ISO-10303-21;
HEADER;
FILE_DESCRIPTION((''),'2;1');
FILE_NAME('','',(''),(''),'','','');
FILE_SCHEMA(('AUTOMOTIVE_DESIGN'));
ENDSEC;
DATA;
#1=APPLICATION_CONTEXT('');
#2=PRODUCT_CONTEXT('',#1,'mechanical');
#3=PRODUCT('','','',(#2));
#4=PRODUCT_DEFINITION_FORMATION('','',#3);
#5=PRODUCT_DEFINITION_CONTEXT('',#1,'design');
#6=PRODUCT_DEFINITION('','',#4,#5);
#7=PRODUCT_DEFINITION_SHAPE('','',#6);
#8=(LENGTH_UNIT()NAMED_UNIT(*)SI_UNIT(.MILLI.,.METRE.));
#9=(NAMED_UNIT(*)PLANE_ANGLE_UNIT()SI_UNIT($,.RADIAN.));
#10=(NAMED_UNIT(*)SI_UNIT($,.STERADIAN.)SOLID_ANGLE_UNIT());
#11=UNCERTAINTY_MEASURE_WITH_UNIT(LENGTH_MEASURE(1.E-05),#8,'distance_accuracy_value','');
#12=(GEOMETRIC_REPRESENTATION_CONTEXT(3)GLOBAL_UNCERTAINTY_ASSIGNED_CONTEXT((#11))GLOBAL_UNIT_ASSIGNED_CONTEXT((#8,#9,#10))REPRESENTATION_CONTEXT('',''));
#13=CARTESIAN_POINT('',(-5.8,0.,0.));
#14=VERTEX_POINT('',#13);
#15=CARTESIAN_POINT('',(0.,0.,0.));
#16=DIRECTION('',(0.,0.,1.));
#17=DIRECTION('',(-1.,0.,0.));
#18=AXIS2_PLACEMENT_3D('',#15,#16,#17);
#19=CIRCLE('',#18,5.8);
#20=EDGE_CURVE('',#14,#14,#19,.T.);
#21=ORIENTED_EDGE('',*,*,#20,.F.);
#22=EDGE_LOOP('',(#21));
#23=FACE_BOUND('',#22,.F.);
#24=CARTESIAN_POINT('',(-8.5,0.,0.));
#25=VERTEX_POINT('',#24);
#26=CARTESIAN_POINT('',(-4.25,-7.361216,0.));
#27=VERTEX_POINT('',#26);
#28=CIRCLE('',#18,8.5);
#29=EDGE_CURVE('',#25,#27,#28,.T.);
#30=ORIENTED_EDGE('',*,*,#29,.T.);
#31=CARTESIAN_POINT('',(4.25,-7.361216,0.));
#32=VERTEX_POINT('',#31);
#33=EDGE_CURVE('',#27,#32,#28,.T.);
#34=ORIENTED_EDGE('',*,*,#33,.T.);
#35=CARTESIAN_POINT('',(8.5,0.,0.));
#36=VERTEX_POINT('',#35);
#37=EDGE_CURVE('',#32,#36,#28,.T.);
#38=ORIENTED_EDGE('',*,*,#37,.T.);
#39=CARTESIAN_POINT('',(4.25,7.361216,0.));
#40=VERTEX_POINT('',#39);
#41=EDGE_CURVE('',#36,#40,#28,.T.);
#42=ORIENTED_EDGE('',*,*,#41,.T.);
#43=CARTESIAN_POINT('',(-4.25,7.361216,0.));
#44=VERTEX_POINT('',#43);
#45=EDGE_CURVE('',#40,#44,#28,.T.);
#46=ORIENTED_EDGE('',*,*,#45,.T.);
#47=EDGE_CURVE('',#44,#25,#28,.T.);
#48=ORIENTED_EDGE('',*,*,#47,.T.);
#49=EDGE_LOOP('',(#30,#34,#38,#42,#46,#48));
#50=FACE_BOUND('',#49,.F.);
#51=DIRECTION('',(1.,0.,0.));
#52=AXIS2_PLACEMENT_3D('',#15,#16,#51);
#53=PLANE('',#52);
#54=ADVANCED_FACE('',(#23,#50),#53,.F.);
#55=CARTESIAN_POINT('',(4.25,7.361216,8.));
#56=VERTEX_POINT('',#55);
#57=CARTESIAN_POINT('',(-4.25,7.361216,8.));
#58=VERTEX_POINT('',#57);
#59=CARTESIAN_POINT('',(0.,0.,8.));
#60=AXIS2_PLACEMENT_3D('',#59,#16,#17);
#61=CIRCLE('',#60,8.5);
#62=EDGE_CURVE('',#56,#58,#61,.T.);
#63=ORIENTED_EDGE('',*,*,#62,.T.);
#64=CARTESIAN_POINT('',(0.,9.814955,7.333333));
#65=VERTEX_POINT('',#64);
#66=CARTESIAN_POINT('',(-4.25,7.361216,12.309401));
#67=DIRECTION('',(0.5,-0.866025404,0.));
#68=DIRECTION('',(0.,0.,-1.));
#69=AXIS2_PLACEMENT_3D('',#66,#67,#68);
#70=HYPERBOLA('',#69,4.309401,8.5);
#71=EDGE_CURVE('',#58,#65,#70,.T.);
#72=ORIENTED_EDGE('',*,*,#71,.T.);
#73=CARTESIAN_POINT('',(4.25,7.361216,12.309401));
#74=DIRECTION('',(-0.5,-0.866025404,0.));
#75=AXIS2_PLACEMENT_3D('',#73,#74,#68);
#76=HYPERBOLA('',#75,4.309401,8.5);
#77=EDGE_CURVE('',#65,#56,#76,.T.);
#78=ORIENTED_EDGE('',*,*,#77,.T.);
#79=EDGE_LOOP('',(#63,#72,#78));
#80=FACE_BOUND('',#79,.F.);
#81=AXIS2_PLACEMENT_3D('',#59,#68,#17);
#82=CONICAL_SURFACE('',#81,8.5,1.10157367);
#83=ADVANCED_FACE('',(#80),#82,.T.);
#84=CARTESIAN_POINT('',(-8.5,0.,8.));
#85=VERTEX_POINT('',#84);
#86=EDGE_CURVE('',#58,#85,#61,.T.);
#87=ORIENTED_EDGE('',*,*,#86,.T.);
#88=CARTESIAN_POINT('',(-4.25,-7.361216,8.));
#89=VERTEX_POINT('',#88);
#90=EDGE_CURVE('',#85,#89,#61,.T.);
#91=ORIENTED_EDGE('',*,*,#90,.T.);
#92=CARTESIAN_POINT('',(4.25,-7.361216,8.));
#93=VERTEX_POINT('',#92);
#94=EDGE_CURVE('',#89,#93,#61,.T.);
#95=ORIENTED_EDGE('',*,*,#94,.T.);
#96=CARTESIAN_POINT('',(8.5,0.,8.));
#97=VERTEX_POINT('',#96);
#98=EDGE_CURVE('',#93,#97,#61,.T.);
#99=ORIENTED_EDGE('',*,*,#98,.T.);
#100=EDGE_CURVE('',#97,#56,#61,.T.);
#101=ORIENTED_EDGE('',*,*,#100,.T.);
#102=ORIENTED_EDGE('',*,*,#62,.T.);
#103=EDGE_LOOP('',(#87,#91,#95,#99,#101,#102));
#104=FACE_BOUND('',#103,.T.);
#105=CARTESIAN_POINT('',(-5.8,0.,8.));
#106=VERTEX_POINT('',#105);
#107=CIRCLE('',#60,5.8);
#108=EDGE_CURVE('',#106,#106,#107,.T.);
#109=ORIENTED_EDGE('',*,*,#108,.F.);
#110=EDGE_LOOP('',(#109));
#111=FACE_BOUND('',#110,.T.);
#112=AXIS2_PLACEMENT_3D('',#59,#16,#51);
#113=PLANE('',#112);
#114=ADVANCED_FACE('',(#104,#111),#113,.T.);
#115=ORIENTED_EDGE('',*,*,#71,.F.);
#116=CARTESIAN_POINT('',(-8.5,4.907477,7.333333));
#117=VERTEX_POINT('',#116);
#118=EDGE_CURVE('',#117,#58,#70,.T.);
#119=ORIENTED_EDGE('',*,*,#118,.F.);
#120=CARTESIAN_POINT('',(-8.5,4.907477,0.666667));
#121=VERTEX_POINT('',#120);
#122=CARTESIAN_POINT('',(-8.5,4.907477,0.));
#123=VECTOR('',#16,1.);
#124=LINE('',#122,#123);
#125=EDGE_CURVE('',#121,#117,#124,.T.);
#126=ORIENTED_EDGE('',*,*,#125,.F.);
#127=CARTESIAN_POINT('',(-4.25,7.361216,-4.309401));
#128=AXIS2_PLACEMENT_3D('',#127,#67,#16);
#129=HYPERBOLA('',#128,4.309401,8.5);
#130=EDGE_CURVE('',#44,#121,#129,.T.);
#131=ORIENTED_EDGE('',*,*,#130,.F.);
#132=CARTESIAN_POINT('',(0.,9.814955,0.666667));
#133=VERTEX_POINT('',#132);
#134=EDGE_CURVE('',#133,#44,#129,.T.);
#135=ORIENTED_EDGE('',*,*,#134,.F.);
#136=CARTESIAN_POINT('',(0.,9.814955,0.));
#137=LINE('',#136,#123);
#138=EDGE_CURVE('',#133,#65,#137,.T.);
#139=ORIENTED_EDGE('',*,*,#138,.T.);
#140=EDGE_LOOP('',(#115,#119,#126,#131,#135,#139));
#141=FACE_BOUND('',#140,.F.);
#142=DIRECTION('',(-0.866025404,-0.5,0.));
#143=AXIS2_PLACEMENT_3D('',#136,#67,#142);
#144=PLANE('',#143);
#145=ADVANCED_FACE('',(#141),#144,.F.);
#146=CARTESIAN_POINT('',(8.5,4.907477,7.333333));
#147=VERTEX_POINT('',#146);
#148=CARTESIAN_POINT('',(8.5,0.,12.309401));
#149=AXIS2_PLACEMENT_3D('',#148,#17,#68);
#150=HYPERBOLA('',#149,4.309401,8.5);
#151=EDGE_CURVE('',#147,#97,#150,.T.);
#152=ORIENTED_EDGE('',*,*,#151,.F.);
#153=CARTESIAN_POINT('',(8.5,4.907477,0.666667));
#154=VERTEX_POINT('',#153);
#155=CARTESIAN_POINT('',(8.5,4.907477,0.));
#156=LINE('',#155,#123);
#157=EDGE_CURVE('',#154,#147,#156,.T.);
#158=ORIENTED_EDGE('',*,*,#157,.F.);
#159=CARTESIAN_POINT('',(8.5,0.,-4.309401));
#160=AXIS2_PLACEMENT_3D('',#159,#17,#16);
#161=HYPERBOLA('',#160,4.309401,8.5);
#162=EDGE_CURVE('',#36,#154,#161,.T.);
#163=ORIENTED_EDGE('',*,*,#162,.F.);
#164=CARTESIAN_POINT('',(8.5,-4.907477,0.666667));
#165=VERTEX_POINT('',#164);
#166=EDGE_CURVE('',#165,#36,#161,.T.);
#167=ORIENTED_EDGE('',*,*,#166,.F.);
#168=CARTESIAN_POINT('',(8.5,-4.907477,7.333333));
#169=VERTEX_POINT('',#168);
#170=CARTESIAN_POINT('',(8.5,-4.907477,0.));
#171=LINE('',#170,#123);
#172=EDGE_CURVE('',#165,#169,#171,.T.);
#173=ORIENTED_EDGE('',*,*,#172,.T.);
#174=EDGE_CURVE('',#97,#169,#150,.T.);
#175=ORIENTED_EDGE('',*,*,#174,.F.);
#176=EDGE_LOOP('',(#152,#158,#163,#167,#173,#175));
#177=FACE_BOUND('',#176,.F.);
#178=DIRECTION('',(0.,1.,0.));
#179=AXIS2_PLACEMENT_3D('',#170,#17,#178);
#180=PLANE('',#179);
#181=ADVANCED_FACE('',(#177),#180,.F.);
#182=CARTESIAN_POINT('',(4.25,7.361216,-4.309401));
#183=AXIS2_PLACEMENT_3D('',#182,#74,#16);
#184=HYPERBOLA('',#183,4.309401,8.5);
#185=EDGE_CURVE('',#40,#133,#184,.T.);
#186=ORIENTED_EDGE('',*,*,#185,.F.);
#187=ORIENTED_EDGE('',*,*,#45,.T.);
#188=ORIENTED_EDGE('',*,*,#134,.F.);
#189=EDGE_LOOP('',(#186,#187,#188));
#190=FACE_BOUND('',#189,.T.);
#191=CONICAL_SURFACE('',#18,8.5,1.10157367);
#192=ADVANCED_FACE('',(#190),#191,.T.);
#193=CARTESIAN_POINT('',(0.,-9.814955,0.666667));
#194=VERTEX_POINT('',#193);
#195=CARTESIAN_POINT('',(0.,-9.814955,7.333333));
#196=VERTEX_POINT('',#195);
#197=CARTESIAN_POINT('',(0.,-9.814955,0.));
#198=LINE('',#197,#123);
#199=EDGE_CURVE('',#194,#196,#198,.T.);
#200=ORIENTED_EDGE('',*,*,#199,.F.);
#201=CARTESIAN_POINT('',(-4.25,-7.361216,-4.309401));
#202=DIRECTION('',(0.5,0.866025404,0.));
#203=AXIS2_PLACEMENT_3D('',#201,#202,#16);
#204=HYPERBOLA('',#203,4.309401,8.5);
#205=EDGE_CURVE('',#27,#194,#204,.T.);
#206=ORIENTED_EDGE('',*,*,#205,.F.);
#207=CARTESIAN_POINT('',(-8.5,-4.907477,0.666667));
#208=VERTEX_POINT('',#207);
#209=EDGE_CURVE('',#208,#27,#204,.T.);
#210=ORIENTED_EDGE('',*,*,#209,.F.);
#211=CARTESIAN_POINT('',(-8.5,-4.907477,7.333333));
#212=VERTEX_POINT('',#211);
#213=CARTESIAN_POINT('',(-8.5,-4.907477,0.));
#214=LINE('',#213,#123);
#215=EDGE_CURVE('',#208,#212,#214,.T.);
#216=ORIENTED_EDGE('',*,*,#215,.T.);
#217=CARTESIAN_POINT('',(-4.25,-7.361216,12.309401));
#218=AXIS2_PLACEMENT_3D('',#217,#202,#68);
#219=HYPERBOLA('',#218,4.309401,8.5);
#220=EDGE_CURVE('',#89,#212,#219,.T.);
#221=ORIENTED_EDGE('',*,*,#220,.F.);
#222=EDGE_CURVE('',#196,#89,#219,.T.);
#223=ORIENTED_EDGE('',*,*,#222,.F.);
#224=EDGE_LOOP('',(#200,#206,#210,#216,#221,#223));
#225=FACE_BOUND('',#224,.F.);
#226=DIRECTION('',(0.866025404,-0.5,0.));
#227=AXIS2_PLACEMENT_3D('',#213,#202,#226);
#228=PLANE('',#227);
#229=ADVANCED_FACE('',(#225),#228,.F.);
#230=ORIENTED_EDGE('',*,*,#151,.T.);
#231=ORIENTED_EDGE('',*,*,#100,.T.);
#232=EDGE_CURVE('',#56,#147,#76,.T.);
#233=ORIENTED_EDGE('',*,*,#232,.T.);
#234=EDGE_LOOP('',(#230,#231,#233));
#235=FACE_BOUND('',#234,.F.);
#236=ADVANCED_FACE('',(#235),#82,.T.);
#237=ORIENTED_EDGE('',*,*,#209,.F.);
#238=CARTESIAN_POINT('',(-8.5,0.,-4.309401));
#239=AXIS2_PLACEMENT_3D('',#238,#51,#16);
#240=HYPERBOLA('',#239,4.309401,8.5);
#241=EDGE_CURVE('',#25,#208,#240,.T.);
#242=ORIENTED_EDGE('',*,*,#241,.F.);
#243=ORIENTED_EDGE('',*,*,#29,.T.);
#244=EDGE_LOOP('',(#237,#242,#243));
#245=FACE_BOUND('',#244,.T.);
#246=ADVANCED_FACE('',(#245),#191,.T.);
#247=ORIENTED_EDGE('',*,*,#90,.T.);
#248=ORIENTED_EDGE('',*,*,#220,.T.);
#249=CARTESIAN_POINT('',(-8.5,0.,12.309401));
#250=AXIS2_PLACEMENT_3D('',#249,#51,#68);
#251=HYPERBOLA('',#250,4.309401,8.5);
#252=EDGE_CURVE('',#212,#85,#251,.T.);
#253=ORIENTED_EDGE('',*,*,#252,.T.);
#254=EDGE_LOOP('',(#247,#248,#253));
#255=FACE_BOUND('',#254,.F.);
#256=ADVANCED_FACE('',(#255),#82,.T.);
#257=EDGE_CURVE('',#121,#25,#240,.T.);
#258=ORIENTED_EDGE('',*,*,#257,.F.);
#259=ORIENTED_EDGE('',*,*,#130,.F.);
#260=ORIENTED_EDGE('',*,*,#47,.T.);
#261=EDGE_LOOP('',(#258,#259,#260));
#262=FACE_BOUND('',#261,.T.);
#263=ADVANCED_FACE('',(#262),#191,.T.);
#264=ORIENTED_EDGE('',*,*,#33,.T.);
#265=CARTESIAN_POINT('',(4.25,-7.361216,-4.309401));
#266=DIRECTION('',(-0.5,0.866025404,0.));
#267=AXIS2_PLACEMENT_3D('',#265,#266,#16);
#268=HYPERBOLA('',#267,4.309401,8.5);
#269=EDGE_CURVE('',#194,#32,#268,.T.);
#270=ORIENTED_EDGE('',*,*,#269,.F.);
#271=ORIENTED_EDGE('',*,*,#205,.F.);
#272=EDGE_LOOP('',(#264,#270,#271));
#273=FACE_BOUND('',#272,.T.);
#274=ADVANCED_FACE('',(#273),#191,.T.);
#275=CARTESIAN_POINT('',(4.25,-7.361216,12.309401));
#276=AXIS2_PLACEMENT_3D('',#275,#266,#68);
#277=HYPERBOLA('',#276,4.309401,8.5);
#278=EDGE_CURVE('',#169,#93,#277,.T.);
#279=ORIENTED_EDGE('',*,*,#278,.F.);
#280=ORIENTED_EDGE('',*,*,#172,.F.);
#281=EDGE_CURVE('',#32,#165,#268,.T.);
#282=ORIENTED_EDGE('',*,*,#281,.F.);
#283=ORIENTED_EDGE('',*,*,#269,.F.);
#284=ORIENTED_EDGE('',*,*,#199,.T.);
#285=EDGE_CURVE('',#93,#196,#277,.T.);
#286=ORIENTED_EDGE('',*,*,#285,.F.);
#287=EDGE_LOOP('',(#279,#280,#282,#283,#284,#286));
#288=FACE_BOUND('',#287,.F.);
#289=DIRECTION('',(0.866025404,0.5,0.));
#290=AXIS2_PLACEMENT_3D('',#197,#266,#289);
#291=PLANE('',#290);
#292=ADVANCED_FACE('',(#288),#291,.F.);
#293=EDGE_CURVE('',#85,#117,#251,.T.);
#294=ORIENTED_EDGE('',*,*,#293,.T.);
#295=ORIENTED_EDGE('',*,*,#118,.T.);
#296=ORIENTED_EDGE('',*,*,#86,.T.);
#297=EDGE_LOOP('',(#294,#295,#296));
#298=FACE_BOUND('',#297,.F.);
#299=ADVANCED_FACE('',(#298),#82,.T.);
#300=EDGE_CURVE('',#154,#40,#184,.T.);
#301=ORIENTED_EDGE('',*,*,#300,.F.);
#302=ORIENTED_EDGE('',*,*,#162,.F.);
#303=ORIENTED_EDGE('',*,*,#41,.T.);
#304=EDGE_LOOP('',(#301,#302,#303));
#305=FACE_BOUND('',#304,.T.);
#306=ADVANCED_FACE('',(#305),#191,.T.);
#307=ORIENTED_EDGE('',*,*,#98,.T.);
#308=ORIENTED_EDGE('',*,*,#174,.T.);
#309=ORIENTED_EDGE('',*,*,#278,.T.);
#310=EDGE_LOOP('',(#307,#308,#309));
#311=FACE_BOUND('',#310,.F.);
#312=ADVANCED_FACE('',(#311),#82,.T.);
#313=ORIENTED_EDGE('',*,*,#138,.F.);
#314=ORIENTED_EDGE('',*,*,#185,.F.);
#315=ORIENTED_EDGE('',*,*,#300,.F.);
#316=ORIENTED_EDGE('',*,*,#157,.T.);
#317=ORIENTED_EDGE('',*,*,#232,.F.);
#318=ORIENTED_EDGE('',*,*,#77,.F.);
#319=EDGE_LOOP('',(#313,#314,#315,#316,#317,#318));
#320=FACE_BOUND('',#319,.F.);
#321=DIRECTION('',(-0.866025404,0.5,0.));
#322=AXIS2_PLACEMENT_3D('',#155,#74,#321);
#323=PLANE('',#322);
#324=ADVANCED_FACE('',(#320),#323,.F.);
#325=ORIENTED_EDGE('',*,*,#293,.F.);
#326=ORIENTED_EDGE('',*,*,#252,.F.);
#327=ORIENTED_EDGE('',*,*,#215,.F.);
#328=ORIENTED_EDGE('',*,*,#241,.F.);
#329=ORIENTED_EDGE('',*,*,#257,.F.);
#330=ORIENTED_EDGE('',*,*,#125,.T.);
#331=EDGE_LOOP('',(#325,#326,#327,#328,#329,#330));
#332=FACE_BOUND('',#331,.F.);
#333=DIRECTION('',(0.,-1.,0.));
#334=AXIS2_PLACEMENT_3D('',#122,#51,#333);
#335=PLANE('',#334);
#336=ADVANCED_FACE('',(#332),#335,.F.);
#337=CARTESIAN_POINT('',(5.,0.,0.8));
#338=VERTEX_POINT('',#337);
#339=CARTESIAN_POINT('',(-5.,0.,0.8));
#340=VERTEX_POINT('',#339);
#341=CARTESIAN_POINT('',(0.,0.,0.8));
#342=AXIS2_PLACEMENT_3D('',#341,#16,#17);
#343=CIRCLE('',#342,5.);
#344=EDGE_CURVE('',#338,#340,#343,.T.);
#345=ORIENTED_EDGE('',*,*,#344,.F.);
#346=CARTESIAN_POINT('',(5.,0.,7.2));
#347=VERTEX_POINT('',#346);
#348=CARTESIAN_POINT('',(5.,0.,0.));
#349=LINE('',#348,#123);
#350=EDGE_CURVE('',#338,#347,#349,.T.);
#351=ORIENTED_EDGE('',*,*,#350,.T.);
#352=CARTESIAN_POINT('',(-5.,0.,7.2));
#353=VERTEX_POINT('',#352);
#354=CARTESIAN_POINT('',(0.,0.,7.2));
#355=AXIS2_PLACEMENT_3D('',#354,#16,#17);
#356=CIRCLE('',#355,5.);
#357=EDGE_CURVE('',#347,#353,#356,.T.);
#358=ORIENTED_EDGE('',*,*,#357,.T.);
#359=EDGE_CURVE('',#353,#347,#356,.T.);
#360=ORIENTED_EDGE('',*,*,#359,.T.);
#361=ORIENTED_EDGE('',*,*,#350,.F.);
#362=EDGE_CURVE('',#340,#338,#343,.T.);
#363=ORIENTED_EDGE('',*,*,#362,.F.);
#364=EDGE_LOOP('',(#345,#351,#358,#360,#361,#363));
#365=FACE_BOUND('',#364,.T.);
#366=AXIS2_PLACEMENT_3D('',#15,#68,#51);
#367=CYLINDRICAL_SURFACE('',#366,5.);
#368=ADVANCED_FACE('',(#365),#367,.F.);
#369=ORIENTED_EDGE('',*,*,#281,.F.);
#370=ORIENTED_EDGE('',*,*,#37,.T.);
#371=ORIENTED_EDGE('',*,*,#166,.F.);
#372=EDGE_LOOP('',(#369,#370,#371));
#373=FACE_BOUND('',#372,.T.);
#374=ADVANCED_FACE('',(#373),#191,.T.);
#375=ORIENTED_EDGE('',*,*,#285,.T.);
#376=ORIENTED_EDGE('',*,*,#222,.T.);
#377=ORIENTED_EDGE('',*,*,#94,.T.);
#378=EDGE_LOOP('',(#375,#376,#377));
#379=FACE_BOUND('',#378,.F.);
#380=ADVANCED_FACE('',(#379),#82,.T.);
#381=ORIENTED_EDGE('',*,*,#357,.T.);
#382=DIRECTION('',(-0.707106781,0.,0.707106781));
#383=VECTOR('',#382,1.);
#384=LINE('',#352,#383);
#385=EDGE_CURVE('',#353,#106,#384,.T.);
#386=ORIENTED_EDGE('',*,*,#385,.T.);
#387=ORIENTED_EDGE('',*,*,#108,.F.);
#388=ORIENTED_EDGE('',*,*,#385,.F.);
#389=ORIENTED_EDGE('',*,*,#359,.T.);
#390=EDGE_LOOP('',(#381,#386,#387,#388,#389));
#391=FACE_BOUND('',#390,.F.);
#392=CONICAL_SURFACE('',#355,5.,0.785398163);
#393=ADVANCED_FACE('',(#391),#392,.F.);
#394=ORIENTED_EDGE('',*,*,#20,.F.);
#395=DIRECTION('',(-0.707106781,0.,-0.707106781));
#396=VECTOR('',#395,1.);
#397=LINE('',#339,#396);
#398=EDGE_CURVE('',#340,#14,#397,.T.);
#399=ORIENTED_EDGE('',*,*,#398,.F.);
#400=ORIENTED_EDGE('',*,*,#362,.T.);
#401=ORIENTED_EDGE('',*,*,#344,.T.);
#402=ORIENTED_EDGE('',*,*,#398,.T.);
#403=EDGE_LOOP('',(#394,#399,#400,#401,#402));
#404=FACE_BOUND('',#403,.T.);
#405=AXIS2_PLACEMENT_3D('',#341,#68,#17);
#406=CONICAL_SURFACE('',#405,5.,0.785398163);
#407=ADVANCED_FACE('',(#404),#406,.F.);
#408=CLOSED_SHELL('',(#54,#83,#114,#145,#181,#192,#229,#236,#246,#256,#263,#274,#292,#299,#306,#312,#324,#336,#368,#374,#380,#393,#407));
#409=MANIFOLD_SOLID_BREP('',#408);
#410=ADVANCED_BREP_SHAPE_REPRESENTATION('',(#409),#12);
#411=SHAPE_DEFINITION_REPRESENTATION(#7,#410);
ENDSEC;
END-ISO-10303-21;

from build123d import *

# Parameters (mm, degrees)
SKETCH1_R           = 5
BOSS_EXTRUDE1_DEPTH = 8


with BuildPart() as part:
    # Sketch1 → Boss-Extrude1 (new body)
    with BuildSketch(Plane.XY):
        Polygon((0, -9.814954576), (8.5, -4.907477288), (8.5, 4.907477288), (0, 9.814954576), (-8.5, 4.907477288), (-8.5, -4.907477288), align=None)
        Circle(SKETCH1_R, mode=Mode.SUBTRACT)
    extrude(amount=BOSS_EXTRUDE1_DEPTH)

    # Sketch2 → Cut-Revolve1 (revolve, cut)
    with BuildSketch(Plane(origin=(0, 0, 0), x_dir=(0, 0, -1), z_dir=(1, 0, 0)), mode=Mode.PRIVATE) as cut_revolve1_sk:
        Polygon((-8, 9.814954576), (-8, 8.5), (-7.333333333, 9.814954576), align=None)
        Polygon((-0.666666667, 9.814954576), (0, 9.814954576), (0, 8.5), align=None)
        Polygon((-8, 5), (-7.2, 5), (-8, 5.8), align=None)
        Polygon((0, 5), (-0.8, 5), (0, 5.8), align=None)
    revolve(cut_revolve1_sk.sketch.rotate(Axis((0, 0, 0), (0, 0, 1)), 90), axis=Axis((0, 0, 0), (0, 0, 1)), mode=Mode.SUBTRACT)


solid = part.part
